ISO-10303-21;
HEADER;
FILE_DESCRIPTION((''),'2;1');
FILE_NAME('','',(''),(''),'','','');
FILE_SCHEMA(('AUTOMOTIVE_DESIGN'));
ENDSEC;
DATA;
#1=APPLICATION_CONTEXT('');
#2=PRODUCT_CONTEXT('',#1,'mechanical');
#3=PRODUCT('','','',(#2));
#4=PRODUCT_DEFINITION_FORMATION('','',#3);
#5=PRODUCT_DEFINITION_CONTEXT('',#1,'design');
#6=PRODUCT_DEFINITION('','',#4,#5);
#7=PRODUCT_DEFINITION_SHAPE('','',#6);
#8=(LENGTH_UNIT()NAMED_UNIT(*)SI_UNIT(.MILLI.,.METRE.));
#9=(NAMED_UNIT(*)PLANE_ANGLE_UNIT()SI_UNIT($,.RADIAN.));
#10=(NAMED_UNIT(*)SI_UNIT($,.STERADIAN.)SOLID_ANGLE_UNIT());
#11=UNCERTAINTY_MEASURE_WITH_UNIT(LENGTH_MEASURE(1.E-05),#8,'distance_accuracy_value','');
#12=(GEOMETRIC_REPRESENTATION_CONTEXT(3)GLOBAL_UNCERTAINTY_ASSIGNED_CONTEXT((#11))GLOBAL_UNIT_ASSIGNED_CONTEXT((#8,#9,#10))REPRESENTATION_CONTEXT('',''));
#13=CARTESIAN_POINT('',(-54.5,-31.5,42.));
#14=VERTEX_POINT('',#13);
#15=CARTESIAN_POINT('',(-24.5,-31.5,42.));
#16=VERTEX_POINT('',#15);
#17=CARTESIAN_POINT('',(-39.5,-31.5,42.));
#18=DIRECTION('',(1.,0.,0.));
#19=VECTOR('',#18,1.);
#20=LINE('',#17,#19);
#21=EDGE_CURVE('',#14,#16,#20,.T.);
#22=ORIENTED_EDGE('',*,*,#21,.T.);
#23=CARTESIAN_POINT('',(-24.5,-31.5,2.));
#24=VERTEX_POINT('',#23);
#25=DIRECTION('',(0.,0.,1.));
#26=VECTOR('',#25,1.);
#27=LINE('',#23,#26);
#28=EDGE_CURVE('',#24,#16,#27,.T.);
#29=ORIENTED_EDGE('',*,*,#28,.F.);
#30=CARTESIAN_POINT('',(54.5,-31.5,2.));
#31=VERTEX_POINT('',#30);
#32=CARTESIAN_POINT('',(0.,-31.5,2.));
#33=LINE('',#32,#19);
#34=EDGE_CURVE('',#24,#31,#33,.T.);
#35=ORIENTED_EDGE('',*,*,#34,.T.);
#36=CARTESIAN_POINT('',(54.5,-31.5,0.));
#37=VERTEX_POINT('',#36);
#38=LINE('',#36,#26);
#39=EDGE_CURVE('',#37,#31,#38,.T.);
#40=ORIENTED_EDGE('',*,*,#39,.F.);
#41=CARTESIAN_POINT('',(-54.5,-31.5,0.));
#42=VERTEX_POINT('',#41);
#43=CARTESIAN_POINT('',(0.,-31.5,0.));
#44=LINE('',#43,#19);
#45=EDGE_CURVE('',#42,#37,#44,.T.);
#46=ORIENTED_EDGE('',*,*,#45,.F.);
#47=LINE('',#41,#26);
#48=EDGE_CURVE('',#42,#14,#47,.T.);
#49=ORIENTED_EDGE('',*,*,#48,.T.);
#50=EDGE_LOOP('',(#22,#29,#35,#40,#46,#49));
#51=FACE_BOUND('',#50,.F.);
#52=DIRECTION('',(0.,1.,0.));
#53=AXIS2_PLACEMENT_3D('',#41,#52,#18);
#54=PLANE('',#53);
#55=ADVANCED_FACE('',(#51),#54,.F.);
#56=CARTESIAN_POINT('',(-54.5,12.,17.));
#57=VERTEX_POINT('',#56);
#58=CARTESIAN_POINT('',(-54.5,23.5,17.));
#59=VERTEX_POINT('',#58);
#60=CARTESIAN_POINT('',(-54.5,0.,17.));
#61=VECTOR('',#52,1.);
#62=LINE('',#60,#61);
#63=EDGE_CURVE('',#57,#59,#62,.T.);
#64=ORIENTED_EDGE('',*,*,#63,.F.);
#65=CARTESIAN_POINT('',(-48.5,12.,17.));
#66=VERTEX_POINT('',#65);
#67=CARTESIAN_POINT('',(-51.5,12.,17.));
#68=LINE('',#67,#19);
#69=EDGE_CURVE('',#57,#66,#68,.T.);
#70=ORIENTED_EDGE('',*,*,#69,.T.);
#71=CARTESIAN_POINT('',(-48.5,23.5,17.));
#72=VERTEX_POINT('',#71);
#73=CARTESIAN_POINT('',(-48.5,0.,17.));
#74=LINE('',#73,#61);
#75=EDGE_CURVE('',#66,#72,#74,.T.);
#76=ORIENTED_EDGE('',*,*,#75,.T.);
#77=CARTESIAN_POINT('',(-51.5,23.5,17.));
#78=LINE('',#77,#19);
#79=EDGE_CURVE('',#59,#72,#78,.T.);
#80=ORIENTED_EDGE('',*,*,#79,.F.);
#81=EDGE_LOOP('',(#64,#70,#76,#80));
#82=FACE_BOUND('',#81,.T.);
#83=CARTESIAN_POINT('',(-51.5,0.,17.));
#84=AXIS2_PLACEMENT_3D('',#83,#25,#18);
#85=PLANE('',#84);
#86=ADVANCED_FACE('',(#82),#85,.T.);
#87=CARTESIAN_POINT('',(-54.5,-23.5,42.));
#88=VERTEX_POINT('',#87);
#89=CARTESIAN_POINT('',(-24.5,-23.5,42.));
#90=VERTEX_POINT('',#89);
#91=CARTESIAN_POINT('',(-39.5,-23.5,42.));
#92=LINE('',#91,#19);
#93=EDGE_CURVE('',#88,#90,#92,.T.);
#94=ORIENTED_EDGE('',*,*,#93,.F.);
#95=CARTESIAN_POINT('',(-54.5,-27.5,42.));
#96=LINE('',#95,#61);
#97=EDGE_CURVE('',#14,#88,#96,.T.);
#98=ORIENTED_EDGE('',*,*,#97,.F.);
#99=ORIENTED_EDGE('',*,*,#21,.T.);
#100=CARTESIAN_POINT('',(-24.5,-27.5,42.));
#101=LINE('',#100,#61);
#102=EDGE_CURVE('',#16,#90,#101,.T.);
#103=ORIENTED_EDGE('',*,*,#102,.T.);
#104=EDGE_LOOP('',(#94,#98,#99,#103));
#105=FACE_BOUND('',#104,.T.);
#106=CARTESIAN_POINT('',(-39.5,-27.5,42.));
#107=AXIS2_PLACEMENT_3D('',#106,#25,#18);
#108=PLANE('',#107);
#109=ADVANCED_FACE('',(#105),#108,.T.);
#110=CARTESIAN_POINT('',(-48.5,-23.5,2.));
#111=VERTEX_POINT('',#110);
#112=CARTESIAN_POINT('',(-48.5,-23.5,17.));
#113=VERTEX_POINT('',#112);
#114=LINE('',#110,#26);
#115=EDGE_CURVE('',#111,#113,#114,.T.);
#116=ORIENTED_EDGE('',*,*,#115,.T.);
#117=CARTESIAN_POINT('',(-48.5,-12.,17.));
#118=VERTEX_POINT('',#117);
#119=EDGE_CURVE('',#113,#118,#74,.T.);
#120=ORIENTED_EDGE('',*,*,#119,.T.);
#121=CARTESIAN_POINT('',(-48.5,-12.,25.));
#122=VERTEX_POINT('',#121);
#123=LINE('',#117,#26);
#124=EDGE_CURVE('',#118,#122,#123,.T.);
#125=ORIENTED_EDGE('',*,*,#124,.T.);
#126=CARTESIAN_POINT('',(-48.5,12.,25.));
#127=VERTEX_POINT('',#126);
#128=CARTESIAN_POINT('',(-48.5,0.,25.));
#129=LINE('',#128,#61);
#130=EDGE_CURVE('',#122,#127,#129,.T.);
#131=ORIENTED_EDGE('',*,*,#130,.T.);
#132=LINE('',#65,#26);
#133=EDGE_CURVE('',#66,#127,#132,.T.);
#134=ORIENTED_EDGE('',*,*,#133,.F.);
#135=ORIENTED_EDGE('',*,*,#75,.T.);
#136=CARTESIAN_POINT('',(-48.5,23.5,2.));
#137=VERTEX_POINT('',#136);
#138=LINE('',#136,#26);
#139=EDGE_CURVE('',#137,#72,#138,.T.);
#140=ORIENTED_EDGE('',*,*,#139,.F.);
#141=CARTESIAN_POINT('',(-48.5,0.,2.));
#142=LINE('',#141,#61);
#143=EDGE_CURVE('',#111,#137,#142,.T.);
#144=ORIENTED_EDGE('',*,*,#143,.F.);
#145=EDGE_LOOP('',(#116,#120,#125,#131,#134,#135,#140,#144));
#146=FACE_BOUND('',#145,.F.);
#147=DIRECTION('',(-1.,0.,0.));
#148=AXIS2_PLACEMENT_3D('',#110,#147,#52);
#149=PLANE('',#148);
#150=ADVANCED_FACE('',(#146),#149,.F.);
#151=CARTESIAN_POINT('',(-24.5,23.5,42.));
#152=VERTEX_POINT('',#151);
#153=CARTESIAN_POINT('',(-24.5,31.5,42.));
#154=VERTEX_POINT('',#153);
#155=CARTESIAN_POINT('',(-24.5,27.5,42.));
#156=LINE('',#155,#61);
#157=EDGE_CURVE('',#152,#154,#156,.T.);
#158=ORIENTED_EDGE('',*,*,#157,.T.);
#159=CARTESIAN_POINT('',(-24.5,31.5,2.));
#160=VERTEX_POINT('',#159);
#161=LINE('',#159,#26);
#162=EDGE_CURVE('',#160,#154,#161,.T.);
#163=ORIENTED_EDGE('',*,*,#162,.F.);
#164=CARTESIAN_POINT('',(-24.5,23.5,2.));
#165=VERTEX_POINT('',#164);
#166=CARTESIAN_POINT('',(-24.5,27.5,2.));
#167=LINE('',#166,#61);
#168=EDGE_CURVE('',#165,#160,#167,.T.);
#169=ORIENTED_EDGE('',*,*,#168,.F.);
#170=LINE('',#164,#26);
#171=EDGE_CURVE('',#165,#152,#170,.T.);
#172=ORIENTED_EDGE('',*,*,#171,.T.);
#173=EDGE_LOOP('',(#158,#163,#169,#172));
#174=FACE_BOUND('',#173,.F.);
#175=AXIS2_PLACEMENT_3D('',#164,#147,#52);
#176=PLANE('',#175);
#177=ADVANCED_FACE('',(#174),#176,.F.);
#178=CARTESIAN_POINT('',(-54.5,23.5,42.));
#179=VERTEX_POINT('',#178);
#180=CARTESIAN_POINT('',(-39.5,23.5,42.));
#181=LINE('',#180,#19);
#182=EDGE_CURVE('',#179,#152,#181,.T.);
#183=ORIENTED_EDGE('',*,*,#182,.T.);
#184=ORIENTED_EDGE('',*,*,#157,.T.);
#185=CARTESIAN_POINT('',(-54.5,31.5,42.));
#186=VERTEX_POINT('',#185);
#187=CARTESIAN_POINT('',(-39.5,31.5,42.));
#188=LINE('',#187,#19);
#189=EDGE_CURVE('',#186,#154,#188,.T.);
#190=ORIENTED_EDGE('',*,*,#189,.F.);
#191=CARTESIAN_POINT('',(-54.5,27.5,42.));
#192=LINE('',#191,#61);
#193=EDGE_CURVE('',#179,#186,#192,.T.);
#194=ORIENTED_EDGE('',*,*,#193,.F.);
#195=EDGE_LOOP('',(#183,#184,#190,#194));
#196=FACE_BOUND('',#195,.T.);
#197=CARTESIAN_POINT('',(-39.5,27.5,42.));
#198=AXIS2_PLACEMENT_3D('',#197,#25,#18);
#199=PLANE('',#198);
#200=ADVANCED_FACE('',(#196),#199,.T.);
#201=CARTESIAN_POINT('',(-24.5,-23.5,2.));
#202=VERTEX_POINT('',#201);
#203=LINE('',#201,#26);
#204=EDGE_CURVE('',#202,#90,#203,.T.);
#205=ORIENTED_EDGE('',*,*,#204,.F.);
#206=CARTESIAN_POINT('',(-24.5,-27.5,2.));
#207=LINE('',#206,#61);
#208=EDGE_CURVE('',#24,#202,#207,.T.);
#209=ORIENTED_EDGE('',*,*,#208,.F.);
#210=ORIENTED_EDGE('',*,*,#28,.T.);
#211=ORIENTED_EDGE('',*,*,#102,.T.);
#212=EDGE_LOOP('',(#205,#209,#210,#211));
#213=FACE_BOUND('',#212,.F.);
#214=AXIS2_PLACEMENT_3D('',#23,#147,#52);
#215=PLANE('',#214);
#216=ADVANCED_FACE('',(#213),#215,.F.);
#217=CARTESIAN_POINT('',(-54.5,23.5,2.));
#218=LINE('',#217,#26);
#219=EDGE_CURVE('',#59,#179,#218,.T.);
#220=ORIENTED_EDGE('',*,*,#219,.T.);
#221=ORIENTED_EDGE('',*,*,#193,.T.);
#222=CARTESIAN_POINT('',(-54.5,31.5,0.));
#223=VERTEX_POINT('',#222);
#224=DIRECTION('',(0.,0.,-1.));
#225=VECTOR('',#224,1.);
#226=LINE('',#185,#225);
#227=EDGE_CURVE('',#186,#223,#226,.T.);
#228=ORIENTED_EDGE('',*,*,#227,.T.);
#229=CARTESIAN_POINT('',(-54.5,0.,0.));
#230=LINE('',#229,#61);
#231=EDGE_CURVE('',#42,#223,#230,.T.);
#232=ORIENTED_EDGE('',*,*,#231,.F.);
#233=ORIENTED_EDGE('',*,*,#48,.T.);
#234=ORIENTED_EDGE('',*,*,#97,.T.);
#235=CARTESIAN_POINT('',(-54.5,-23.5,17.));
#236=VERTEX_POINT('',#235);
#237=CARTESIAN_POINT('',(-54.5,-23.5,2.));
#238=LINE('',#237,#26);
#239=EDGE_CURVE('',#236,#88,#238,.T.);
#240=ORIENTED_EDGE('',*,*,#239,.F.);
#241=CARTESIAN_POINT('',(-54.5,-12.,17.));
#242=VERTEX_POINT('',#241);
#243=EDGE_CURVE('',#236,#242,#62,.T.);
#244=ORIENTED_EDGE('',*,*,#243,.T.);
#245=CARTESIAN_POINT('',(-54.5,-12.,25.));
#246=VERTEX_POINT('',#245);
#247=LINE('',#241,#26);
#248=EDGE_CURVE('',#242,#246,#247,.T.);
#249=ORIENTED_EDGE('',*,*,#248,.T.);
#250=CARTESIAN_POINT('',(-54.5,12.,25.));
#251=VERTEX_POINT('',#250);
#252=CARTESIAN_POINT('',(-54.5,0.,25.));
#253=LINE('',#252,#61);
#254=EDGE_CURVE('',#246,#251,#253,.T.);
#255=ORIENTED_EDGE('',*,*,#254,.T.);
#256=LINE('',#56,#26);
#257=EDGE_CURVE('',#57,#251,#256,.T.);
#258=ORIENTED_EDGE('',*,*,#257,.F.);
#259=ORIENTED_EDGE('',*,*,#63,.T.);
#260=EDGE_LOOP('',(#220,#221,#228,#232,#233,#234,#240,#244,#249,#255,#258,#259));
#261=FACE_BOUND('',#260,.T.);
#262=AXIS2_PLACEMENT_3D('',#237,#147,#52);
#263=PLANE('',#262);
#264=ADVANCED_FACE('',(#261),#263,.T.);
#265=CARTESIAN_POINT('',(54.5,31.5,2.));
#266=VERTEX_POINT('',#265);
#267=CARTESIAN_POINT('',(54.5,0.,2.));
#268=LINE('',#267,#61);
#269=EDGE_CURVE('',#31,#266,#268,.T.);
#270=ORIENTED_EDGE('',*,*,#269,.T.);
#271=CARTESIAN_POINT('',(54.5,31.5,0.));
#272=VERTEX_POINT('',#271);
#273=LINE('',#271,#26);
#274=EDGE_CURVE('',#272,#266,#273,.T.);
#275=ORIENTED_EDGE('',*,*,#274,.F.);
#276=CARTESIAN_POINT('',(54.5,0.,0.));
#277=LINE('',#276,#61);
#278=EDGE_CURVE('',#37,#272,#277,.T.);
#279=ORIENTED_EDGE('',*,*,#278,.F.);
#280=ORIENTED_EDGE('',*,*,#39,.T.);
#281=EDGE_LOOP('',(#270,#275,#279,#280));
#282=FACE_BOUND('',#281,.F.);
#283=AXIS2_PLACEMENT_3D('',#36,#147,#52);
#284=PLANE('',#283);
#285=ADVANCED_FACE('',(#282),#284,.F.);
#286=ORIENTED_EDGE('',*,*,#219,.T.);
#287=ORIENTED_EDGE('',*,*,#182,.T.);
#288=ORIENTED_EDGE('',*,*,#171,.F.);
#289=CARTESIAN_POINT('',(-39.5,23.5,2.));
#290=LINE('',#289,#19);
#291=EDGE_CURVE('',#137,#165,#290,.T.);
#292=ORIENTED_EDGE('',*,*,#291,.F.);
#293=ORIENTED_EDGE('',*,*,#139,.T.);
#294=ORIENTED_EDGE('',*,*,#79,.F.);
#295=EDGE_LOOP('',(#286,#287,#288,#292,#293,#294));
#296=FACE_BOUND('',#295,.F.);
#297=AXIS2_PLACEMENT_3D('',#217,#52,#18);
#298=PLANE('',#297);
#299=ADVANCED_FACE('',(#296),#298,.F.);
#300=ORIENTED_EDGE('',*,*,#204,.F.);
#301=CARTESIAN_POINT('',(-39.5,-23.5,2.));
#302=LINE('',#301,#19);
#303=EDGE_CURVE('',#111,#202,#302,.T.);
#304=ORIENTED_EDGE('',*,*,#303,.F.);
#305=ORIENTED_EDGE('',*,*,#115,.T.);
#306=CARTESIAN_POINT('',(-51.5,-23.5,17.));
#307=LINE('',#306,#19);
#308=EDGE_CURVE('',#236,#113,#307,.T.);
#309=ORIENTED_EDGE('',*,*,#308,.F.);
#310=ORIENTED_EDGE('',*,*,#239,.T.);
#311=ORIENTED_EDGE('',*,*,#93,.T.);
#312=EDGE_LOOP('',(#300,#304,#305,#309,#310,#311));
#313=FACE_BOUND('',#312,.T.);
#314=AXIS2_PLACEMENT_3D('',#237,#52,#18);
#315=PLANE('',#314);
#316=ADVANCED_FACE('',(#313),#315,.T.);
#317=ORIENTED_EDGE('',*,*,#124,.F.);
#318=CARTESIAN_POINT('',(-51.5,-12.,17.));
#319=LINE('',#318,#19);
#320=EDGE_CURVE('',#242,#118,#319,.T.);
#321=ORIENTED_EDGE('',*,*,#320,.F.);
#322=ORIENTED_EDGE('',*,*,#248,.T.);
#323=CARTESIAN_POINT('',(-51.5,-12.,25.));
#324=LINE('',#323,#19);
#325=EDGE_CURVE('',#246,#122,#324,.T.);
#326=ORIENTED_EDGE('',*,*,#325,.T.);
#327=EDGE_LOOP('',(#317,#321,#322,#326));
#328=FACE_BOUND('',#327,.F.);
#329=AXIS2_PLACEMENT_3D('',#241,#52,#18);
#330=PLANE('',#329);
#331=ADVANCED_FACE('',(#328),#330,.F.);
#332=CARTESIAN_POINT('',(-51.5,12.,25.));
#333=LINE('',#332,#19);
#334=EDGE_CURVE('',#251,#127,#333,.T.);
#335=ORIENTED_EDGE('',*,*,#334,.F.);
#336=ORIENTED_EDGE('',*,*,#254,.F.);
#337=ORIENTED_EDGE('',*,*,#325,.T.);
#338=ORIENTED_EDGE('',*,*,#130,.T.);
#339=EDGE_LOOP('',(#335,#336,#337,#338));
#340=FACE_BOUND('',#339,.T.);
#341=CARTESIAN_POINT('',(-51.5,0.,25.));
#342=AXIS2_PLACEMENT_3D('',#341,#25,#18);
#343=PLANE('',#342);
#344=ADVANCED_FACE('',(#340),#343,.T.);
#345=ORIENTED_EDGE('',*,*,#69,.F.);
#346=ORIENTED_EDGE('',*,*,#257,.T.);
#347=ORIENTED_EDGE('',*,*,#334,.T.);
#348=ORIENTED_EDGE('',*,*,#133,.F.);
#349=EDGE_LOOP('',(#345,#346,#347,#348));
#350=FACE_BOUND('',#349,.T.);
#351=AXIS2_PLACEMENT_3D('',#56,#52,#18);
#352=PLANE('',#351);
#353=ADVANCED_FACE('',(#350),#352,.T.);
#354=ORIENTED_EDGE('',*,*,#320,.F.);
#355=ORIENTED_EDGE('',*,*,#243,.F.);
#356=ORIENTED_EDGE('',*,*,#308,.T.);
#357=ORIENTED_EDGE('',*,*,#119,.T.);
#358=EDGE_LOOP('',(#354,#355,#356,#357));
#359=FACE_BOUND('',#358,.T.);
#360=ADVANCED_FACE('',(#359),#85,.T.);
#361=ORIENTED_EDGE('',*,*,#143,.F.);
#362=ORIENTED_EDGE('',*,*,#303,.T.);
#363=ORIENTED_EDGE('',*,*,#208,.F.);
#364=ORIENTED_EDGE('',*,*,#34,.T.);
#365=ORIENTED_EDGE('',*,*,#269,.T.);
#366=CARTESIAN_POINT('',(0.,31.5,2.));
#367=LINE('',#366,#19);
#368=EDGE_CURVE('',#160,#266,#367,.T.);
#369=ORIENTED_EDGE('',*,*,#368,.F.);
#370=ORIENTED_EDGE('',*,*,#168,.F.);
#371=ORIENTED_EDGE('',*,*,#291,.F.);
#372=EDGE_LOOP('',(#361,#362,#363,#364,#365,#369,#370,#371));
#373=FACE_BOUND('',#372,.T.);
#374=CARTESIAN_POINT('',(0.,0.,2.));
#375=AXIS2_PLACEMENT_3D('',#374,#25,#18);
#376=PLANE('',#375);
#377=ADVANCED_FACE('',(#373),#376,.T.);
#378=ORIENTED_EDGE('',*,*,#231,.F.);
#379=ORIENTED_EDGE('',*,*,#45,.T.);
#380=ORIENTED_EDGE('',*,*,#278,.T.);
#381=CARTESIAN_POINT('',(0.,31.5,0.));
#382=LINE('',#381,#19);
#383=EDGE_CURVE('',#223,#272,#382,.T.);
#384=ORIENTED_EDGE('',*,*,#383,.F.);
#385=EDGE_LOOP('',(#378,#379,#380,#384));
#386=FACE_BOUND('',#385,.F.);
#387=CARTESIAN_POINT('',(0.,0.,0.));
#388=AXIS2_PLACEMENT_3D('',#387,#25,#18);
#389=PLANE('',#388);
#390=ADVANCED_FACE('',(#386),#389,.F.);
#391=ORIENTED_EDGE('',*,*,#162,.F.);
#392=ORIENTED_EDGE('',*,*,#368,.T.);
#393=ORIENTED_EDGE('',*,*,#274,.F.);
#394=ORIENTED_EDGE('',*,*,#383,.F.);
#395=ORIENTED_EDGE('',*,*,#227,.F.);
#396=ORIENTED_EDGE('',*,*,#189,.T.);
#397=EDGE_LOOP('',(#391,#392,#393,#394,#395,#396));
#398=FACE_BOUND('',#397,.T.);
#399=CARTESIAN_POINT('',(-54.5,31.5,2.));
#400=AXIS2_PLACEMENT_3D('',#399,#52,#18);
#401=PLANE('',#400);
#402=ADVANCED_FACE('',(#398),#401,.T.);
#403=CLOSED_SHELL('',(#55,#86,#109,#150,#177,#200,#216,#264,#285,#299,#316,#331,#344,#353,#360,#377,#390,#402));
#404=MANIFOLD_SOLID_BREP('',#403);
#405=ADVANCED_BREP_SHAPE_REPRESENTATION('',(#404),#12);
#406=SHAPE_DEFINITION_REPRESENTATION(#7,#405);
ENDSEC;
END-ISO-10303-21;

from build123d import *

# Parameters (mm, degrees)
SKETCH_W     = 109
SKETCH_H     = 63
PAD_DEPTH    = 2
SKETCH001_W  = 30
SKETCH001_H  = 8
PAD001_DEPTH = 40
SKETCH002_W  = 6
SKETCH002_H  = 47
PAD002_DEPTH = 15
SKETCH003_W  = 6
SKETCH003_H  = 24
PAD003_DEPTH = 8


with BuildPart() as part:
    # Sketch → Pad (new body)
    with BuildSketch(Plane.XY):
        Rectangle(SKETCH_W, SKETCH_H)
    extrude(amount=PAD_DEPTH)

    # Sketch001 → Pad001 (new body)
    with BuildSketch(Plane.XY.offset(2)):
        with Locations((-39.5, 27.5)):
            Rectangle(SKETCH001_W, SKETCH001_H)
        with Locations((-39.5, -27.5)):
            Rectangle(SKETCH001_W, SKETCH001_H)
    extrude(amount=PAD001_DEPTH)

    # Sketch002 → Pad002 (new body)
    with BuildSketch(Plane.XY.offset(2)):
        with Locations((-51.5, 0)):
            Rectangle(SKETCH002_W, SKETCH002_H)
    extrude(amount=PAD002_DEPTH)

    # Sketch003 → Pad003 (new body)
    with BuildSketch(Plane.XY.offset(17)):
        with Locations((-51.5, 0)):
            Rectangle(SKETCH003_W, SKETCH003_H)
    extrude(amount=PAD003_DEPTH)


solid = part.part
